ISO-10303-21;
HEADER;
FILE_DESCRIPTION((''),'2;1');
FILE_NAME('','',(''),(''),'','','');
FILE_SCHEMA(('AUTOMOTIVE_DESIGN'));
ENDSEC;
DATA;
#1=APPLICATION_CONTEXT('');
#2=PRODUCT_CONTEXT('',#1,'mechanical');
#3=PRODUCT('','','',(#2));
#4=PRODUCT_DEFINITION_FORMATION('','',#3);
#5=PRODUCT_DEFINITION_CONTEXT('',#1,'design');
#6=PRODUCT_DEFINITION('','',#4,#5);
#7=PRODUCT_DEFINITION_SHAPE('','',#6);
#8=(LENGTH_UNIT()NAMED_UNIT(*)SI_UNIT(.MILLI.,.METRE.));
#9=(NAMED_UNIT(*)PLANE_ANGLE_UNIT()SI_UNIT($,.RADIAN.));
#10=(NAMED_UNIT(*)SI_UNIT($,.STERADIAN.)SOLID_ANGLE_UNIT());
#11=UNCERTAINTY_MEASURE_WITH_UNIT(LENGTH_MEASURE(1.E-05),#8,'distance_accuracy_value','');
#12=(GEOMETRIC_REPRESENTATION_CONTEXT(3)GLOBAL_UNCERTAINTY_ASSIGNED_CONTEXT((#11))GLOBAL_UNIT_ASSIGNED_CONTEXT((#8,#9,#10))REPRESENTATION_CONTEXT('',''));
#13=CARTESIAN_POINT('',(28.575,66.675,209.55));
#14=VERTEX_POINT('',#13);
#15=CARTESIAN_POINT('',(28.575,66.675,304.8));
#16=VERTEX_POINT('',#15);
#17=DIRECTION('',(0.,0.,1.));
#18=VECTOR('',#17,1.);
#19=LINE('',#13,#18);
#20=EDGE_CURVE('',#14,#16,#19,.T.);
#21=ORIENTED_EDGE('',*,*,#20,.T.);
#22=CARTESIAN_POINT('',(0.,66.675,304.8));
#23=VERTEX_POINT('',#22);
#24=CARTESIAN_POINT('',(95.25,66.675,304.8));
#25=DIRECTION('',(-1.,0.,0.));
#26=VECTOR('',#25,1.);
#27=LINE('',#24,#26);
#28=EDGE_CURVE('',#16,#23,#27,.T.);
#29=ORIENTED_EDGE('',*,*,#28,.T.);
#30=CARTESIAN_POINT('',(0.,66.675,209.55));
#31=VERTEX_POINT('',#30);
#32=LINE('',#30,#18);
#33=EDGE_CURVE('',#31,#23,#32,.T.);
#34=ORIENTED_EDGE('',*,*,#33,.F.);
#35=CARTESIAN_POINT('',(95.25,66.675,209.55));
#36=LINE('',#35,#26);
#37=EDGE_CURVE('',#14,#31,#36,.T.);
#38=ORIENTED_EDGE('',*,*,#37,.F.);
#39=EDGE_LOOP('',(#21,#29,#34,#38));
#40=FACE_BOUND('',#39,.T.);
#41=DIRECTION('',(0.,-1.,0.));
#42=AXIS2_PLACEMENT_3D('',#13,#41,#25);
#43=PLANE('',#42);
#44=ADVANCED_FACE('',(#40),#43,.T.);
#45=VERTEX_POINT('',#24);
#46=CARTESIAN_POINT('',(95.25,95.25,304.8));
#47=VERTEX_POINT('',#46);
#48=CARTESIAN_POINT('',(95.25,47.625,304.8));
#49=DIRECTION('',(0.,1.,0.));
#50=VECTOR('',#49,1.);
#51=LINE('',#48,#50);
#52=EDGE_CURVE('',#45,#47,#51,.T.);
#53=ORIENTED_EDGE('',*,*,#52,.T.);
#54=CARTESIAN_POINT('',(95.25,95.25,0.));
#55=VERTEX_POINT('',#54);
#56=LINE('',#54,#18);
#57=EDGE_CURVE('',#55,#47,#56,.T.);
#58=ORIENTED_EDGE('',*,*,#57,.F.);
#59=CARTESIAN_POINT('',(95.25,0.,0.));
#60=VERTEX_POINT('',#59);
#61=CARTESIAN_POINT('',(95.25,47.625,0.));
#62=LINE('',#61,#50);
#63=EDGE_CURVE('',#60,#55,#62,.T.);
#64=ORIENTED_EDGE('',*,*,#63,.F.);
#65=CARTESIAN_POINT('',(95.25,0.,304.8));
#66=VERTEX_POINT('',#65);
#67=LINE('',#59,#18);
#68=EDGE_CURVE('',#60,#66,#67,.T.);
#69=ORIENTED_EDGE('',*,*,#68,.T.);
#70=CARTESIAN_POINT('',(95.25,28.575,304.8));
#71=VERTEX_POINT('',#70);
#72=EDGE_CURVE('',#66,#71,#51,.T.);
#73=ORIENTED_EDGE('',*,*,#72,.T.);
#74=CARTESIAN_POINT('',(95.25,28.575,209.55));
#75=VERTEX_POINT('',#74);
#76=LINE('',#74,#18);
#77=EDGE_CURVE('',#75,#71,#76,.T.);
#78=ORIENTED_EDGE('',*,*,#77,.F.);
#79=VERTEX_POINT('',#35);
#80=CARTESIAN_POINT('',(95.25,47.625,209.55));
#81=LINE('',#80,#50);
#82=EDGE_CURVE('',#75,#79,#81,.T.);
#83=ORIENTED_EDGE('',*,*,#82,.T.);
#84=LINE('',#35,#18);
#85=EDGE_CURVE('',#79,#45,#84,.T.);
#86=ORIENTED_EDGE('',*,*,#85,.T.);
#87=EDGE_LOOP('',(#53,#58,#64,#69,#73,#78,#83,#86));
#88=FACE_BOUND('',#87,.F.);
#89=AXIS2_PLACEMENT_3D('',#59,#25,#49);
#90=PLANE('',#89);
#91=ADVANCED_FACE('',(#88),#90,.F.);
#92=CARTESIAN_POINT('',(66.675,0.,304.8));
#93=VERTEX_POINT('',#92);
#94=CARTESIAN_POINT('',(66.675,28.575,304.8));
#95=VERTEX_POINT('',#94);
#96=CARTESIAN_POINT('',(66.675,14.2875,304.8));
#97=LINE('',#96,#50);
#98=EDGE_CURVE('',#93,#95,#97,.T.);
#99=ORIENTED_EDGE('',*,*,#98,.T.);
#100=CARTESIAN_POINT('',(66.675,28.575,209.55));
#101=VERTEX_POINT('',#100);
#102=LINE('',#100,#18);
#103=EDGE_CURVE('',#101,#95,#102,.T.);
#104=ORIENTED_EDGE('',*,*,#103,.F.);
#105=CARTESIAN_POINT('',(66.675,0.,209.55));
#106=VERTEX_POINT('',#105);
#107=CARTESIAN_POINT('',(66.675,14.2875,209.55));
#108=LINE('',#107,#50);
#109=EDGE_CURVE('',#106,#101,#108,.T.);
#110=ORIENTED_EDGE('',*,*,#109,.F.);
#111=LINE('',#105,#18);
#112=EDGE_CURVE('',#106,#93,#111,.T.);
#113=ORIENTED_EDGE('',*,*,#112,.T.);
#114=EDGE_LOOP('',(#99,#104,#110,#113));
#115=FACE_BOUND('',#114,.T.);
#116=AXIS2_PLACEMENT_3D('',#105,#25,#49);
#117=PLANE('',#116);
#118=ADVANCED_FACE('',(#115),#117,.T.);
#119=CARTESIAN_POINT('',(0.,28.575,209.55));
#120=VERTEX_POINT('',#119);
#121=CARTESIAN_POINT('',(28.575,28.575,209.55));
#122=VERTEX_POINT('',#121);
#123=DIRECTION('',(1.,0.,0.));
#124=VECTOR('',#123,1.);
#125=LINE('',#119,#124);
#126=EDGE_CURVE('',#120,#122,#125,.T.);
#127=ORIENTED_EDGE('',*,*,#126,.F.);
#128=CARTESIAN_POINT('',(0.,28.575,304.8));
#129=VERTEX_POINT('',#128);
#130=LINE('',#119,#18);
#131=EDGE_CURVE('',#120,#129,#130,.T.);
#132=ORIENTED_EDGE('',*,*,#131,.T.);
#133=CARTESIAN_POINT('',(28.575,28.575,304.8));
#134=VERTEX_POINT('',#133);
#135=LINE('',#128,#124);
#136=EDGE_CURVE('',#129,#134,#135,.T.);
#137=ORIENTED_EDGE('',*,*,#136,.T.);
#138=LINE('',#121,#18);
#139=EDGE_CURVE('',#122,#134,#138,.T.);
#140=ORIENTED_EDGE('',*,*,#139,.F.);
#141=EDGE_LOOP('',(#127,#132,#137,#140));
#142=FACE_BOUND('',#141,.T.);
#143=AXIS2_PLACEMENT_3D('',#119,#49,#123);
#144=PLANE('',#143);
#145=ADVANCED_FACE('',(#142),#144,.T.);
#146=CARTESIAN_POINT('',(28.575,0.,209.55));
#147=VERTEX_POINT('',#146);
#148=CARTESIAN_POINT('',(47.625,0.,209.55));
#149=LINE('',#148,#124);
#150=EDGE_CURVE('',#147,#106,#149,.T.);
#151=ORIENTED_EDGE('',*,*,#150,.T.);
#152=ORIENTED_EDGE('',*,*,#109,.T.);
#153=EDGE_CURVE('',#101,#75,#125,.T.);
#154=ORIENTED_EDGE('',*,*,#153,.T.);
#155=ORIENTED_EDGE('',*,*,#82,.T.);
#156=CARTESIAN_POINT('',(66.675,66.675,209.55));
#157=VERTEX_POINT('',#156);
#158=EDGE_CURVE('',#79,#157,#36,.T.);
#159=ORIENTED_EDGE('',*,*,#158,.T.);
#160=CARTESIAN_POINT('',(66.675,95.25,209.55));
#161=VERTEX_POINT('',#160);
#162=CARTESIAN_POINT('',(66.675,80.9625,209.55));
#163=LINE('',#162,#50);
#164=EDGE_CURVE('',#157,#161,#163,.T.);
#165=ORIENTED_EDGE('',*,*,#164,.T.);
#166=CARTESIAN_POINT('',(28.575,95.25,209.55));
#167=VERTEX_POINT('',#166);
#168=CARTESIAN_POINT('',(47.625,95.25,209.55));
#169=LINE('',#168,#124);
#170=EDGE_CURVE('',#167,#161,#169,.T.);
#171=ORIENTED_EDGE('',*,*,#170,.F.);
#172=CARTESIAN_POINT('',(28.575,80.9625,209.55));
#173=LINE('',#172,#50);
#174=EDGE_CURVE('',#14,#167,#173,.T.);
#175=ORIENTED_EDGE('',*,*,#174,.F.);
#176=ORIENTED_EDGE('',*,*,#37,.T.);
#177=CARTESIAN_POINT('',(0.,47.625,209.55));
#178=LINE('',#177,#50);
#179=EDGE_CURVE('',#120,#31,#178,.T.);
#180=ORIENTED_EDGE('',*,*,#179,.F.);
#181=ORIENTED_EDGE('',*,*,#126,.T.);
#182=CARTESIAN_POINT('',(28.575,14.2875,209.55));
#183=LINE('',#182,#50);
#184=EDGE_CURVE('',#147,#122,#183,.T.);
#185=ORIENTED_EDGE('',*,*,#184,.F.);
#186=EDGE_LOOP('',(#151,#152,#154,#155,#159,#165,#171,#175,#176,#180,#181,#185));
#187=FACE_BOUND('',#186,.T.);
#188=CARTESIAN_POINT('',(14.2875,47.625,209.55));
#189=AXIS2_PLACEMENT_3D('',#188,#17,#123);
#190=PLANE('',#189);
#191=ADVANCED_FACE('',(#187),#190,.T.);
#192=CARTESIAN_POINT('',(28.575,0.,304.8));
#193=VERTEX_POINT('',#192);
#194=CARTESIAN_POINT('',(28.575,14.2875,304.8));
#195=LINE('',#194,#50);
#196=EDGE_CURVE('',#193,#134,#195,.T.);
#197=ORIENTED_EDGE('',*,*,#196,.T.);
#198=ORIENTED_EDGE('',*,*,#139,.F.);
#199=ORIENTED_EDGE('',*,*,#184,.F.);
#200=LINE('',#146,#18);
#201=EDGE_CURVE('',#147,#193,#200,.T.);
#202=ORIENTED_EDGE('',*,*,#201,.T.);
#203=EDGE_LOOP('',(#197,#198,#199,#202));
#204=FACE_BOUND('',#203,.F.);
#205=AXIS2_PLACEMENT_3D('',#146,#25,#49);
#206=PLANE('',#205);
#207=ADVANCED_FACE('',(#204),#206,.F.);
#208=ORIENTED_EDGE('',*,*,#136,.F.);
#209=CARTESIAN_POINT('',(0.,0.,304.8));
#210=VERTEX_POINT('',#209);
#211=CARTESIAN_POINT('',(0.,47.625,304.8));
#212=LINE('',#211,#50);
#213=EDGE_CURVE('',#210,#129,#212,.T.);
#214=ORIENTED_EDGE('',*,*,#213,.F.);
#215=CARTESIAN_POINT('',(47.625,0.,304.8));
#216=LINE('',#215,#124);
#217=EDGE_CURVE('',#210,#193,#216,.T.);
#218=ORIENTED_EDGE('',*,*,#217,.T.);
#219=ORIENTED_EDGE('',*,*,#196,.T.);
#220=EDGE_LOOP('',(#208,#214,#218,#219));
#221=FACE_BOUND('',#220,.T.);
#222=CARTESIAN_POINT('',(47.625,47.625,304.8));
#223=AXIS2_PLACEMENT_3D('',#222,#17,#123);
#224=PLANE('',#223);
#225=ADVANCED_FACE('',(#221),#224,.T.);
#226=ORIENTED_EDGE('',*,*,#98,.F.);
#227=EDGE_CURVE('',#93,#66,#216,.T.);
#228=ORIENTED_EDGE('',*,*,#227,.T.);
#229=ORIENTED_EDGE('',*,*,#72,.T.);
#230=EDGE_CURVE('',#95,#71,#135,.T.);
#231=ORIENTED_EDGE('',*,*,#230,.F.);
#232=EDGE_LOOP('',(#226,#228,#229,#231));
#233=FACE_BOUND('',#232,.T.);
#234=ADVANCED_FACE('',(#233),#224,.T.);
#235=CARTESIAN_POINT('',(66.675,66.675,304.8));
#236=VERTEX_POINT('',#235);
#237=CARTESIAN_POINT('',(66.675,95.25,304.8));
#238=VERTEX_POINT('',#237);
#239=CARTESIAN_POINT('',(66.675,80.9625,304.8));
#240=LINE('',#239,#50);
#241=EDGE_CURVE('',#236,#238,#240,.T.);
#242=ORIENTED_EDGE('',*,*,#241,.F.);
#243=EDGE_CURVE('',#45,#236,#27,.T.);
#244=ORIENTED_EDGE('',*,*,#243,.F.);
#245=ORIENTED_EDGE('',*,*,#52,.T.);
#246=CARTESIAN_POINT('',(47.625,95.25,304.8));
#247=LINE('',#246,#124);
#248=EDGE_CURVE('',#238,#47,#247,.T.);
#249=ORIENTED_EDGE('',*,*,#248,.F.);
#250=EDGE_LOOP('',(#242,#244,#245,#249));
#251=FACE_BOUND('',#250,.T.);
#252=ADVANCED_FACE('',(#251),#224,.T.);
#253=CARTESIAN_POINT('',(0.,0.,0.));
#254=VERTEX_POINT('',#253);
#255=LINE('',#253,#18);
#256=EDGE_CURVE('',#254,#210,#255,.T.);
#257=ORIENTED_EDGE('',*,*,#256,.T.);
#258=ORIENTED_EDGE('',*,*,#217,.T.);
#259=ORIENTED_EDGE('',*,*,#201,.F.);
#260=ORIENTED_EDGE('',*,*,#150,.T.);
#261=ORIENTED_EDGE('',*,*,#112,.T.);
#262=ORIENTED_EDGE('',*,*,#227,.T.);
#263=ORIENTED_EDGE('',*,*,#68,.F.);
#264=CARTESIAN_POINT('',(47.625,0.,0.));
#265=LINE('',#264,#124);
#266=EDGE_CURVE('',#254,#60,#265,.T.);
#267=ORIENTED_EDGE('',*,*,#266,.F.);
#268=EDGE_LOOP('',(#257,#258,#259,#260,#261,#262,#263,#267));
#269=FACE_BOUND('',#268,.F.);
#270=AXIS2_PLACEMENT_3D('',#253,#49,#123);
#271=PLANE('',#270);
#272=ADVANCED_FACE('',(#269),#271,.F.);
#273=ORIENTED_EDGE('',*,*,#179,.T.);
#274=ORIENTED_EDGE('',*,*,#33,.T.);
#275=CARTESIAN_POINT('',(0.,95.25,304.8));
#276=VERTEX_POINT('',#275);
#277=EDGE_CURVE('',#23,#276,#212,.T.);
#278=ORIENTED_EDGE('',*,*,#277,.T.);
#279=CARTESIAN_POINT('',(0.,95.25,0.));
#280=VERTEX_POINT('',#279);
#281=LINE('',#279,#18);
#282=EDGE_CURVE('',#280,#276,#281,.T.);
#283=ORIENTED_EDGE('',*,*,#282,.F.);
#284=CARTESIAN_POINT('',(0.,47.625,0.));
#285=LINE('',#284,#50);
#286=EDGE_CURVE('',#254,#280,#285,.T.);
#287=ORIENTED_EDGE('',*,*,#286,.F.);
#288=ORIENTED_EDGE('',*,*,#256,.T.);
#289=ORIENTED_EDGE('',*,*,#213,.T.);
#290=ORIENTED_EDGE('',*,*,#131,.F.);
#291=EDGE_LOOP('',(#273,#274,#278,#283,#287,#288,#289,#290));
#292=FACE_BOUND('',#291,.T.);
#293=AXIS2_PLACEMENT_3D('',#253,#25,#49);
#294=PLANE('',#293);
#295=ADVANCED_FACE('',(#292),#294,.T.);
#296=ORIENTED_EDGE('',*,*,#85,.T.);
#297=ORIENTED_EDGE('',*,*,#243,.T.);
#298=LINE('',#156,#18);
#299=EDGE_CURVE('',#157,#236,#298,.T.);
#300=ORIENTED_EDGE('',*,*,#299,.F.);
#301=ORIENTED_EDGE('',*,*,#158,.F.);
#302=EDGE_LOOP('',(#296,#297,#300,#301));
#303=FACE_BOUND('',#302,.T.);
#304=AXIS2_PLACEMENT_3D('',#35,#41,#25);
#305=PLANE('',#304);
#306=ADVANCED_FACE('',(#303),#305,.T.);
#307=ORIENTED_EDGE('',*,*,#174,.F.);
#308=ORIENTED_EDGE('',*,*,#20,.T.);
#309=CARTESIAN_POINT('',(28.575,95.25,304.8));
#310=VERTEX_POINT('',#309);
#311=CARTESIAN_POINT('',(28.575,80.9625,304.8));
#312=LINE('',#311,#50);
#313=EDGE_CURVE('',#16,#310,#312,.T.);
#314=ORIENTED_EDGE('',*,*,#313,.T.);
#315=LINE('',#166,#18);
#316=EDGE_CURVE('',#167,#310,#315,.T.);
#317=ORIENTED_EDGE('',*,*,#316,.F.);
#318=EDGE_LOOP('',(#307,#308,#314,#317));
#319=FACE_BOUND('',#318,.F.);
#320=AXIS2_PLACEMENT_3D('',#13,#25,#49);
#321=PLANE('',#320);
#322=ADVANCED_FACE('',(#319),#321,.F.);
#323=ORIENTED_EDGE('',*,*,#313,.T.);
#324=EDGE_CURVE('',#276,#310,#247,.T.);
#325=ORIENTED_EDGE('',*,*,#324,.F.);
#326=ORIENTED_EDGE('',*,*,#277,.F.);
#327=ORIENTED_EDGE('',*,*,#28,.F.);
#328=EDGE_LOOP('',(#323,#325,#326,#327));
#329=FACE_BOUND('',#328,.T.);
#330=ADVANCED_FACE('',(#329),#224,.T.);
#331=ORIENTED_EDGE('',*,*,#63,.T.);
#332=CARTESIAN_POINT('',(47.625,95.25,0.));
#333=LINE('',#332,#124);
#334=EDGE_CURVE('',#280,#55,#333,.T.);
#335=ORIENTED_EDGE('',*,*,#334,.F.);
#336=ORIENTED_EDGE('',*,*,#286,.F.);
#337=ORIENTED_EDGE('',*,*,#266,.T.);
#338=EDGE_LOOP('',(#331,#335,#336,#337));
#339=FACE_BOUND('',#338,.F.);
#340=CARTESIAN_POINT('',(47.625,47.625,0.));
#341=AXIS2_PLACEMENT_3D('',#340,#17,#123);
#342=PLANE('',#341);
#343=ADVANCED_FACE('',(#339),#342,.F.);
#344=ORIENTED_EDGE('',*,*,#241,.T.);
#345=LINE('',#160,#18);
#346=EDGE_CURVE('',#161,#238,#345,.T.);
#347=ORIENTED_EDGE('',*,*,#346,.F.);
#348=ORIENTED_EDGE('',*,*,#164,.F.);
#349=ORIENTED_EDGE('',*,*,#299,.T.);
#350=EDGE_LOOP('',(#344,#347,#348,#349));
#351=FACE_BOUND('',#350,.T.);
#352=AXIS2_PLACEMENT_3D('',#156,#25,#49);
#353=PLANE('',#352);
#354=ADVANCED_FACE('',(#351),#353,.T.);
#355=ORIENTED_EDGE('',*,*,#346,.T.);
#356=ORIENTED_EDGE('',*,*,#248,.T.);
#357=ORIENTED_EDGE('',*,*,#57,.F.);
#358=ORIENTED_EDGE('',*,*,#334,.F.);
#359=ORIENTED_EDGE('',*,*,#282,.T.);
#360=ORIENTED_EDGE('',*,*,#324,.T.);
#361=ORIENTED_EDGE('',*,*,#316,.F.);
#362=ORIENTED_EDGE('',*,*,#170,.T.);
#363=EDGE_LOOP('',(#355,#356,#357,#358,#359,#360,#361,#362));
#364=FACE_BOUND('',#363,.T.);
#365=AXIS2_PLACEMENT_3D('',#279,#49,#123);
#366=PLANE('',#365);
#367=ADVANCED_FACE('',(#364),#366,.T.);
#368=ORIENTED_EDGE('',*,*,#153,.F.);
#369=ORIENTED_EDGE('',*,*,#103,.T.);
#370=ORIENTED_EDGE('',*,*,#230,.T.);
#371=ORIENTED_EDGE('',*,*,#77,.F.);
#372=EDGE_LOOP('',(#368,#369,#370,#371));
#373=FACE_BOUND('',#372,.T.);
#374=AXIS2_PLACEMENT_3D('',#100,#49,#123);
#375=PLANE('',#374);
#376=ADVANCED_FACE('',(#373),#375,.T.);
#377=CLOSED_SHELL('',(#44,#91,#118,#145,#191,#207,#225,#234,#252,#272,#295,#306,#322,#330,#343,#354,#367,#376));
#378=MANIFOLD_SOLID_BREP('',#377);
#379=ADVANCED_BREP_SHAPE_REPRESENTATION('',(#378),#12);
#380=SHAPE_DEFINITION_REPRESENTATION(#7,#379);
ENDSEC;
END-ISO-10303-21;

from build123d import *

# Parameters (mm, degrees)
F0_W     = 95.25
F0_H     = 95.25
F2_DEPTH = 304.8
F3_START = 209.55
F1_W     = 28.575
F1_H     = 38.1
F1_W_2   = 38.1
F1_H_2   = 28.575
F3_DEPTH = 95.25


with BuildPart() as f2:
    # F0 (on Top) → F2 (new body)
    with BuildSketch(Plane.XY):
        with Locations((47.625, 47.625)):
            Rectangle(F0_W, F0_H)
    extrude(amount=F2_DEPTH)

    # F1 (on Top) → F3 (cut)
    with BuildSketch(Plane.XY.offset(F3_START)):
        with Locations((14.2875, 47.625)):
            Rectangle(F1_W, F1_H)
        with Locations((47.625, 47.625)):
            Rectangle(F1_W_2, F1_H)
        with Locations((80.9625, 47.625)):
            Rectangle(F1_W, F1_H)
        with Locations((47.625, 80.9625)):
            Rectangle(F1_W_2, F1_H_2)
        with Locations((47.625, 14.2875)):
            Rectangle(F1_W_2, F1_H_2)
    extrude(amount=F3_DEPTH, mode=Mode.SUBTRACT)


solid = f2.part
